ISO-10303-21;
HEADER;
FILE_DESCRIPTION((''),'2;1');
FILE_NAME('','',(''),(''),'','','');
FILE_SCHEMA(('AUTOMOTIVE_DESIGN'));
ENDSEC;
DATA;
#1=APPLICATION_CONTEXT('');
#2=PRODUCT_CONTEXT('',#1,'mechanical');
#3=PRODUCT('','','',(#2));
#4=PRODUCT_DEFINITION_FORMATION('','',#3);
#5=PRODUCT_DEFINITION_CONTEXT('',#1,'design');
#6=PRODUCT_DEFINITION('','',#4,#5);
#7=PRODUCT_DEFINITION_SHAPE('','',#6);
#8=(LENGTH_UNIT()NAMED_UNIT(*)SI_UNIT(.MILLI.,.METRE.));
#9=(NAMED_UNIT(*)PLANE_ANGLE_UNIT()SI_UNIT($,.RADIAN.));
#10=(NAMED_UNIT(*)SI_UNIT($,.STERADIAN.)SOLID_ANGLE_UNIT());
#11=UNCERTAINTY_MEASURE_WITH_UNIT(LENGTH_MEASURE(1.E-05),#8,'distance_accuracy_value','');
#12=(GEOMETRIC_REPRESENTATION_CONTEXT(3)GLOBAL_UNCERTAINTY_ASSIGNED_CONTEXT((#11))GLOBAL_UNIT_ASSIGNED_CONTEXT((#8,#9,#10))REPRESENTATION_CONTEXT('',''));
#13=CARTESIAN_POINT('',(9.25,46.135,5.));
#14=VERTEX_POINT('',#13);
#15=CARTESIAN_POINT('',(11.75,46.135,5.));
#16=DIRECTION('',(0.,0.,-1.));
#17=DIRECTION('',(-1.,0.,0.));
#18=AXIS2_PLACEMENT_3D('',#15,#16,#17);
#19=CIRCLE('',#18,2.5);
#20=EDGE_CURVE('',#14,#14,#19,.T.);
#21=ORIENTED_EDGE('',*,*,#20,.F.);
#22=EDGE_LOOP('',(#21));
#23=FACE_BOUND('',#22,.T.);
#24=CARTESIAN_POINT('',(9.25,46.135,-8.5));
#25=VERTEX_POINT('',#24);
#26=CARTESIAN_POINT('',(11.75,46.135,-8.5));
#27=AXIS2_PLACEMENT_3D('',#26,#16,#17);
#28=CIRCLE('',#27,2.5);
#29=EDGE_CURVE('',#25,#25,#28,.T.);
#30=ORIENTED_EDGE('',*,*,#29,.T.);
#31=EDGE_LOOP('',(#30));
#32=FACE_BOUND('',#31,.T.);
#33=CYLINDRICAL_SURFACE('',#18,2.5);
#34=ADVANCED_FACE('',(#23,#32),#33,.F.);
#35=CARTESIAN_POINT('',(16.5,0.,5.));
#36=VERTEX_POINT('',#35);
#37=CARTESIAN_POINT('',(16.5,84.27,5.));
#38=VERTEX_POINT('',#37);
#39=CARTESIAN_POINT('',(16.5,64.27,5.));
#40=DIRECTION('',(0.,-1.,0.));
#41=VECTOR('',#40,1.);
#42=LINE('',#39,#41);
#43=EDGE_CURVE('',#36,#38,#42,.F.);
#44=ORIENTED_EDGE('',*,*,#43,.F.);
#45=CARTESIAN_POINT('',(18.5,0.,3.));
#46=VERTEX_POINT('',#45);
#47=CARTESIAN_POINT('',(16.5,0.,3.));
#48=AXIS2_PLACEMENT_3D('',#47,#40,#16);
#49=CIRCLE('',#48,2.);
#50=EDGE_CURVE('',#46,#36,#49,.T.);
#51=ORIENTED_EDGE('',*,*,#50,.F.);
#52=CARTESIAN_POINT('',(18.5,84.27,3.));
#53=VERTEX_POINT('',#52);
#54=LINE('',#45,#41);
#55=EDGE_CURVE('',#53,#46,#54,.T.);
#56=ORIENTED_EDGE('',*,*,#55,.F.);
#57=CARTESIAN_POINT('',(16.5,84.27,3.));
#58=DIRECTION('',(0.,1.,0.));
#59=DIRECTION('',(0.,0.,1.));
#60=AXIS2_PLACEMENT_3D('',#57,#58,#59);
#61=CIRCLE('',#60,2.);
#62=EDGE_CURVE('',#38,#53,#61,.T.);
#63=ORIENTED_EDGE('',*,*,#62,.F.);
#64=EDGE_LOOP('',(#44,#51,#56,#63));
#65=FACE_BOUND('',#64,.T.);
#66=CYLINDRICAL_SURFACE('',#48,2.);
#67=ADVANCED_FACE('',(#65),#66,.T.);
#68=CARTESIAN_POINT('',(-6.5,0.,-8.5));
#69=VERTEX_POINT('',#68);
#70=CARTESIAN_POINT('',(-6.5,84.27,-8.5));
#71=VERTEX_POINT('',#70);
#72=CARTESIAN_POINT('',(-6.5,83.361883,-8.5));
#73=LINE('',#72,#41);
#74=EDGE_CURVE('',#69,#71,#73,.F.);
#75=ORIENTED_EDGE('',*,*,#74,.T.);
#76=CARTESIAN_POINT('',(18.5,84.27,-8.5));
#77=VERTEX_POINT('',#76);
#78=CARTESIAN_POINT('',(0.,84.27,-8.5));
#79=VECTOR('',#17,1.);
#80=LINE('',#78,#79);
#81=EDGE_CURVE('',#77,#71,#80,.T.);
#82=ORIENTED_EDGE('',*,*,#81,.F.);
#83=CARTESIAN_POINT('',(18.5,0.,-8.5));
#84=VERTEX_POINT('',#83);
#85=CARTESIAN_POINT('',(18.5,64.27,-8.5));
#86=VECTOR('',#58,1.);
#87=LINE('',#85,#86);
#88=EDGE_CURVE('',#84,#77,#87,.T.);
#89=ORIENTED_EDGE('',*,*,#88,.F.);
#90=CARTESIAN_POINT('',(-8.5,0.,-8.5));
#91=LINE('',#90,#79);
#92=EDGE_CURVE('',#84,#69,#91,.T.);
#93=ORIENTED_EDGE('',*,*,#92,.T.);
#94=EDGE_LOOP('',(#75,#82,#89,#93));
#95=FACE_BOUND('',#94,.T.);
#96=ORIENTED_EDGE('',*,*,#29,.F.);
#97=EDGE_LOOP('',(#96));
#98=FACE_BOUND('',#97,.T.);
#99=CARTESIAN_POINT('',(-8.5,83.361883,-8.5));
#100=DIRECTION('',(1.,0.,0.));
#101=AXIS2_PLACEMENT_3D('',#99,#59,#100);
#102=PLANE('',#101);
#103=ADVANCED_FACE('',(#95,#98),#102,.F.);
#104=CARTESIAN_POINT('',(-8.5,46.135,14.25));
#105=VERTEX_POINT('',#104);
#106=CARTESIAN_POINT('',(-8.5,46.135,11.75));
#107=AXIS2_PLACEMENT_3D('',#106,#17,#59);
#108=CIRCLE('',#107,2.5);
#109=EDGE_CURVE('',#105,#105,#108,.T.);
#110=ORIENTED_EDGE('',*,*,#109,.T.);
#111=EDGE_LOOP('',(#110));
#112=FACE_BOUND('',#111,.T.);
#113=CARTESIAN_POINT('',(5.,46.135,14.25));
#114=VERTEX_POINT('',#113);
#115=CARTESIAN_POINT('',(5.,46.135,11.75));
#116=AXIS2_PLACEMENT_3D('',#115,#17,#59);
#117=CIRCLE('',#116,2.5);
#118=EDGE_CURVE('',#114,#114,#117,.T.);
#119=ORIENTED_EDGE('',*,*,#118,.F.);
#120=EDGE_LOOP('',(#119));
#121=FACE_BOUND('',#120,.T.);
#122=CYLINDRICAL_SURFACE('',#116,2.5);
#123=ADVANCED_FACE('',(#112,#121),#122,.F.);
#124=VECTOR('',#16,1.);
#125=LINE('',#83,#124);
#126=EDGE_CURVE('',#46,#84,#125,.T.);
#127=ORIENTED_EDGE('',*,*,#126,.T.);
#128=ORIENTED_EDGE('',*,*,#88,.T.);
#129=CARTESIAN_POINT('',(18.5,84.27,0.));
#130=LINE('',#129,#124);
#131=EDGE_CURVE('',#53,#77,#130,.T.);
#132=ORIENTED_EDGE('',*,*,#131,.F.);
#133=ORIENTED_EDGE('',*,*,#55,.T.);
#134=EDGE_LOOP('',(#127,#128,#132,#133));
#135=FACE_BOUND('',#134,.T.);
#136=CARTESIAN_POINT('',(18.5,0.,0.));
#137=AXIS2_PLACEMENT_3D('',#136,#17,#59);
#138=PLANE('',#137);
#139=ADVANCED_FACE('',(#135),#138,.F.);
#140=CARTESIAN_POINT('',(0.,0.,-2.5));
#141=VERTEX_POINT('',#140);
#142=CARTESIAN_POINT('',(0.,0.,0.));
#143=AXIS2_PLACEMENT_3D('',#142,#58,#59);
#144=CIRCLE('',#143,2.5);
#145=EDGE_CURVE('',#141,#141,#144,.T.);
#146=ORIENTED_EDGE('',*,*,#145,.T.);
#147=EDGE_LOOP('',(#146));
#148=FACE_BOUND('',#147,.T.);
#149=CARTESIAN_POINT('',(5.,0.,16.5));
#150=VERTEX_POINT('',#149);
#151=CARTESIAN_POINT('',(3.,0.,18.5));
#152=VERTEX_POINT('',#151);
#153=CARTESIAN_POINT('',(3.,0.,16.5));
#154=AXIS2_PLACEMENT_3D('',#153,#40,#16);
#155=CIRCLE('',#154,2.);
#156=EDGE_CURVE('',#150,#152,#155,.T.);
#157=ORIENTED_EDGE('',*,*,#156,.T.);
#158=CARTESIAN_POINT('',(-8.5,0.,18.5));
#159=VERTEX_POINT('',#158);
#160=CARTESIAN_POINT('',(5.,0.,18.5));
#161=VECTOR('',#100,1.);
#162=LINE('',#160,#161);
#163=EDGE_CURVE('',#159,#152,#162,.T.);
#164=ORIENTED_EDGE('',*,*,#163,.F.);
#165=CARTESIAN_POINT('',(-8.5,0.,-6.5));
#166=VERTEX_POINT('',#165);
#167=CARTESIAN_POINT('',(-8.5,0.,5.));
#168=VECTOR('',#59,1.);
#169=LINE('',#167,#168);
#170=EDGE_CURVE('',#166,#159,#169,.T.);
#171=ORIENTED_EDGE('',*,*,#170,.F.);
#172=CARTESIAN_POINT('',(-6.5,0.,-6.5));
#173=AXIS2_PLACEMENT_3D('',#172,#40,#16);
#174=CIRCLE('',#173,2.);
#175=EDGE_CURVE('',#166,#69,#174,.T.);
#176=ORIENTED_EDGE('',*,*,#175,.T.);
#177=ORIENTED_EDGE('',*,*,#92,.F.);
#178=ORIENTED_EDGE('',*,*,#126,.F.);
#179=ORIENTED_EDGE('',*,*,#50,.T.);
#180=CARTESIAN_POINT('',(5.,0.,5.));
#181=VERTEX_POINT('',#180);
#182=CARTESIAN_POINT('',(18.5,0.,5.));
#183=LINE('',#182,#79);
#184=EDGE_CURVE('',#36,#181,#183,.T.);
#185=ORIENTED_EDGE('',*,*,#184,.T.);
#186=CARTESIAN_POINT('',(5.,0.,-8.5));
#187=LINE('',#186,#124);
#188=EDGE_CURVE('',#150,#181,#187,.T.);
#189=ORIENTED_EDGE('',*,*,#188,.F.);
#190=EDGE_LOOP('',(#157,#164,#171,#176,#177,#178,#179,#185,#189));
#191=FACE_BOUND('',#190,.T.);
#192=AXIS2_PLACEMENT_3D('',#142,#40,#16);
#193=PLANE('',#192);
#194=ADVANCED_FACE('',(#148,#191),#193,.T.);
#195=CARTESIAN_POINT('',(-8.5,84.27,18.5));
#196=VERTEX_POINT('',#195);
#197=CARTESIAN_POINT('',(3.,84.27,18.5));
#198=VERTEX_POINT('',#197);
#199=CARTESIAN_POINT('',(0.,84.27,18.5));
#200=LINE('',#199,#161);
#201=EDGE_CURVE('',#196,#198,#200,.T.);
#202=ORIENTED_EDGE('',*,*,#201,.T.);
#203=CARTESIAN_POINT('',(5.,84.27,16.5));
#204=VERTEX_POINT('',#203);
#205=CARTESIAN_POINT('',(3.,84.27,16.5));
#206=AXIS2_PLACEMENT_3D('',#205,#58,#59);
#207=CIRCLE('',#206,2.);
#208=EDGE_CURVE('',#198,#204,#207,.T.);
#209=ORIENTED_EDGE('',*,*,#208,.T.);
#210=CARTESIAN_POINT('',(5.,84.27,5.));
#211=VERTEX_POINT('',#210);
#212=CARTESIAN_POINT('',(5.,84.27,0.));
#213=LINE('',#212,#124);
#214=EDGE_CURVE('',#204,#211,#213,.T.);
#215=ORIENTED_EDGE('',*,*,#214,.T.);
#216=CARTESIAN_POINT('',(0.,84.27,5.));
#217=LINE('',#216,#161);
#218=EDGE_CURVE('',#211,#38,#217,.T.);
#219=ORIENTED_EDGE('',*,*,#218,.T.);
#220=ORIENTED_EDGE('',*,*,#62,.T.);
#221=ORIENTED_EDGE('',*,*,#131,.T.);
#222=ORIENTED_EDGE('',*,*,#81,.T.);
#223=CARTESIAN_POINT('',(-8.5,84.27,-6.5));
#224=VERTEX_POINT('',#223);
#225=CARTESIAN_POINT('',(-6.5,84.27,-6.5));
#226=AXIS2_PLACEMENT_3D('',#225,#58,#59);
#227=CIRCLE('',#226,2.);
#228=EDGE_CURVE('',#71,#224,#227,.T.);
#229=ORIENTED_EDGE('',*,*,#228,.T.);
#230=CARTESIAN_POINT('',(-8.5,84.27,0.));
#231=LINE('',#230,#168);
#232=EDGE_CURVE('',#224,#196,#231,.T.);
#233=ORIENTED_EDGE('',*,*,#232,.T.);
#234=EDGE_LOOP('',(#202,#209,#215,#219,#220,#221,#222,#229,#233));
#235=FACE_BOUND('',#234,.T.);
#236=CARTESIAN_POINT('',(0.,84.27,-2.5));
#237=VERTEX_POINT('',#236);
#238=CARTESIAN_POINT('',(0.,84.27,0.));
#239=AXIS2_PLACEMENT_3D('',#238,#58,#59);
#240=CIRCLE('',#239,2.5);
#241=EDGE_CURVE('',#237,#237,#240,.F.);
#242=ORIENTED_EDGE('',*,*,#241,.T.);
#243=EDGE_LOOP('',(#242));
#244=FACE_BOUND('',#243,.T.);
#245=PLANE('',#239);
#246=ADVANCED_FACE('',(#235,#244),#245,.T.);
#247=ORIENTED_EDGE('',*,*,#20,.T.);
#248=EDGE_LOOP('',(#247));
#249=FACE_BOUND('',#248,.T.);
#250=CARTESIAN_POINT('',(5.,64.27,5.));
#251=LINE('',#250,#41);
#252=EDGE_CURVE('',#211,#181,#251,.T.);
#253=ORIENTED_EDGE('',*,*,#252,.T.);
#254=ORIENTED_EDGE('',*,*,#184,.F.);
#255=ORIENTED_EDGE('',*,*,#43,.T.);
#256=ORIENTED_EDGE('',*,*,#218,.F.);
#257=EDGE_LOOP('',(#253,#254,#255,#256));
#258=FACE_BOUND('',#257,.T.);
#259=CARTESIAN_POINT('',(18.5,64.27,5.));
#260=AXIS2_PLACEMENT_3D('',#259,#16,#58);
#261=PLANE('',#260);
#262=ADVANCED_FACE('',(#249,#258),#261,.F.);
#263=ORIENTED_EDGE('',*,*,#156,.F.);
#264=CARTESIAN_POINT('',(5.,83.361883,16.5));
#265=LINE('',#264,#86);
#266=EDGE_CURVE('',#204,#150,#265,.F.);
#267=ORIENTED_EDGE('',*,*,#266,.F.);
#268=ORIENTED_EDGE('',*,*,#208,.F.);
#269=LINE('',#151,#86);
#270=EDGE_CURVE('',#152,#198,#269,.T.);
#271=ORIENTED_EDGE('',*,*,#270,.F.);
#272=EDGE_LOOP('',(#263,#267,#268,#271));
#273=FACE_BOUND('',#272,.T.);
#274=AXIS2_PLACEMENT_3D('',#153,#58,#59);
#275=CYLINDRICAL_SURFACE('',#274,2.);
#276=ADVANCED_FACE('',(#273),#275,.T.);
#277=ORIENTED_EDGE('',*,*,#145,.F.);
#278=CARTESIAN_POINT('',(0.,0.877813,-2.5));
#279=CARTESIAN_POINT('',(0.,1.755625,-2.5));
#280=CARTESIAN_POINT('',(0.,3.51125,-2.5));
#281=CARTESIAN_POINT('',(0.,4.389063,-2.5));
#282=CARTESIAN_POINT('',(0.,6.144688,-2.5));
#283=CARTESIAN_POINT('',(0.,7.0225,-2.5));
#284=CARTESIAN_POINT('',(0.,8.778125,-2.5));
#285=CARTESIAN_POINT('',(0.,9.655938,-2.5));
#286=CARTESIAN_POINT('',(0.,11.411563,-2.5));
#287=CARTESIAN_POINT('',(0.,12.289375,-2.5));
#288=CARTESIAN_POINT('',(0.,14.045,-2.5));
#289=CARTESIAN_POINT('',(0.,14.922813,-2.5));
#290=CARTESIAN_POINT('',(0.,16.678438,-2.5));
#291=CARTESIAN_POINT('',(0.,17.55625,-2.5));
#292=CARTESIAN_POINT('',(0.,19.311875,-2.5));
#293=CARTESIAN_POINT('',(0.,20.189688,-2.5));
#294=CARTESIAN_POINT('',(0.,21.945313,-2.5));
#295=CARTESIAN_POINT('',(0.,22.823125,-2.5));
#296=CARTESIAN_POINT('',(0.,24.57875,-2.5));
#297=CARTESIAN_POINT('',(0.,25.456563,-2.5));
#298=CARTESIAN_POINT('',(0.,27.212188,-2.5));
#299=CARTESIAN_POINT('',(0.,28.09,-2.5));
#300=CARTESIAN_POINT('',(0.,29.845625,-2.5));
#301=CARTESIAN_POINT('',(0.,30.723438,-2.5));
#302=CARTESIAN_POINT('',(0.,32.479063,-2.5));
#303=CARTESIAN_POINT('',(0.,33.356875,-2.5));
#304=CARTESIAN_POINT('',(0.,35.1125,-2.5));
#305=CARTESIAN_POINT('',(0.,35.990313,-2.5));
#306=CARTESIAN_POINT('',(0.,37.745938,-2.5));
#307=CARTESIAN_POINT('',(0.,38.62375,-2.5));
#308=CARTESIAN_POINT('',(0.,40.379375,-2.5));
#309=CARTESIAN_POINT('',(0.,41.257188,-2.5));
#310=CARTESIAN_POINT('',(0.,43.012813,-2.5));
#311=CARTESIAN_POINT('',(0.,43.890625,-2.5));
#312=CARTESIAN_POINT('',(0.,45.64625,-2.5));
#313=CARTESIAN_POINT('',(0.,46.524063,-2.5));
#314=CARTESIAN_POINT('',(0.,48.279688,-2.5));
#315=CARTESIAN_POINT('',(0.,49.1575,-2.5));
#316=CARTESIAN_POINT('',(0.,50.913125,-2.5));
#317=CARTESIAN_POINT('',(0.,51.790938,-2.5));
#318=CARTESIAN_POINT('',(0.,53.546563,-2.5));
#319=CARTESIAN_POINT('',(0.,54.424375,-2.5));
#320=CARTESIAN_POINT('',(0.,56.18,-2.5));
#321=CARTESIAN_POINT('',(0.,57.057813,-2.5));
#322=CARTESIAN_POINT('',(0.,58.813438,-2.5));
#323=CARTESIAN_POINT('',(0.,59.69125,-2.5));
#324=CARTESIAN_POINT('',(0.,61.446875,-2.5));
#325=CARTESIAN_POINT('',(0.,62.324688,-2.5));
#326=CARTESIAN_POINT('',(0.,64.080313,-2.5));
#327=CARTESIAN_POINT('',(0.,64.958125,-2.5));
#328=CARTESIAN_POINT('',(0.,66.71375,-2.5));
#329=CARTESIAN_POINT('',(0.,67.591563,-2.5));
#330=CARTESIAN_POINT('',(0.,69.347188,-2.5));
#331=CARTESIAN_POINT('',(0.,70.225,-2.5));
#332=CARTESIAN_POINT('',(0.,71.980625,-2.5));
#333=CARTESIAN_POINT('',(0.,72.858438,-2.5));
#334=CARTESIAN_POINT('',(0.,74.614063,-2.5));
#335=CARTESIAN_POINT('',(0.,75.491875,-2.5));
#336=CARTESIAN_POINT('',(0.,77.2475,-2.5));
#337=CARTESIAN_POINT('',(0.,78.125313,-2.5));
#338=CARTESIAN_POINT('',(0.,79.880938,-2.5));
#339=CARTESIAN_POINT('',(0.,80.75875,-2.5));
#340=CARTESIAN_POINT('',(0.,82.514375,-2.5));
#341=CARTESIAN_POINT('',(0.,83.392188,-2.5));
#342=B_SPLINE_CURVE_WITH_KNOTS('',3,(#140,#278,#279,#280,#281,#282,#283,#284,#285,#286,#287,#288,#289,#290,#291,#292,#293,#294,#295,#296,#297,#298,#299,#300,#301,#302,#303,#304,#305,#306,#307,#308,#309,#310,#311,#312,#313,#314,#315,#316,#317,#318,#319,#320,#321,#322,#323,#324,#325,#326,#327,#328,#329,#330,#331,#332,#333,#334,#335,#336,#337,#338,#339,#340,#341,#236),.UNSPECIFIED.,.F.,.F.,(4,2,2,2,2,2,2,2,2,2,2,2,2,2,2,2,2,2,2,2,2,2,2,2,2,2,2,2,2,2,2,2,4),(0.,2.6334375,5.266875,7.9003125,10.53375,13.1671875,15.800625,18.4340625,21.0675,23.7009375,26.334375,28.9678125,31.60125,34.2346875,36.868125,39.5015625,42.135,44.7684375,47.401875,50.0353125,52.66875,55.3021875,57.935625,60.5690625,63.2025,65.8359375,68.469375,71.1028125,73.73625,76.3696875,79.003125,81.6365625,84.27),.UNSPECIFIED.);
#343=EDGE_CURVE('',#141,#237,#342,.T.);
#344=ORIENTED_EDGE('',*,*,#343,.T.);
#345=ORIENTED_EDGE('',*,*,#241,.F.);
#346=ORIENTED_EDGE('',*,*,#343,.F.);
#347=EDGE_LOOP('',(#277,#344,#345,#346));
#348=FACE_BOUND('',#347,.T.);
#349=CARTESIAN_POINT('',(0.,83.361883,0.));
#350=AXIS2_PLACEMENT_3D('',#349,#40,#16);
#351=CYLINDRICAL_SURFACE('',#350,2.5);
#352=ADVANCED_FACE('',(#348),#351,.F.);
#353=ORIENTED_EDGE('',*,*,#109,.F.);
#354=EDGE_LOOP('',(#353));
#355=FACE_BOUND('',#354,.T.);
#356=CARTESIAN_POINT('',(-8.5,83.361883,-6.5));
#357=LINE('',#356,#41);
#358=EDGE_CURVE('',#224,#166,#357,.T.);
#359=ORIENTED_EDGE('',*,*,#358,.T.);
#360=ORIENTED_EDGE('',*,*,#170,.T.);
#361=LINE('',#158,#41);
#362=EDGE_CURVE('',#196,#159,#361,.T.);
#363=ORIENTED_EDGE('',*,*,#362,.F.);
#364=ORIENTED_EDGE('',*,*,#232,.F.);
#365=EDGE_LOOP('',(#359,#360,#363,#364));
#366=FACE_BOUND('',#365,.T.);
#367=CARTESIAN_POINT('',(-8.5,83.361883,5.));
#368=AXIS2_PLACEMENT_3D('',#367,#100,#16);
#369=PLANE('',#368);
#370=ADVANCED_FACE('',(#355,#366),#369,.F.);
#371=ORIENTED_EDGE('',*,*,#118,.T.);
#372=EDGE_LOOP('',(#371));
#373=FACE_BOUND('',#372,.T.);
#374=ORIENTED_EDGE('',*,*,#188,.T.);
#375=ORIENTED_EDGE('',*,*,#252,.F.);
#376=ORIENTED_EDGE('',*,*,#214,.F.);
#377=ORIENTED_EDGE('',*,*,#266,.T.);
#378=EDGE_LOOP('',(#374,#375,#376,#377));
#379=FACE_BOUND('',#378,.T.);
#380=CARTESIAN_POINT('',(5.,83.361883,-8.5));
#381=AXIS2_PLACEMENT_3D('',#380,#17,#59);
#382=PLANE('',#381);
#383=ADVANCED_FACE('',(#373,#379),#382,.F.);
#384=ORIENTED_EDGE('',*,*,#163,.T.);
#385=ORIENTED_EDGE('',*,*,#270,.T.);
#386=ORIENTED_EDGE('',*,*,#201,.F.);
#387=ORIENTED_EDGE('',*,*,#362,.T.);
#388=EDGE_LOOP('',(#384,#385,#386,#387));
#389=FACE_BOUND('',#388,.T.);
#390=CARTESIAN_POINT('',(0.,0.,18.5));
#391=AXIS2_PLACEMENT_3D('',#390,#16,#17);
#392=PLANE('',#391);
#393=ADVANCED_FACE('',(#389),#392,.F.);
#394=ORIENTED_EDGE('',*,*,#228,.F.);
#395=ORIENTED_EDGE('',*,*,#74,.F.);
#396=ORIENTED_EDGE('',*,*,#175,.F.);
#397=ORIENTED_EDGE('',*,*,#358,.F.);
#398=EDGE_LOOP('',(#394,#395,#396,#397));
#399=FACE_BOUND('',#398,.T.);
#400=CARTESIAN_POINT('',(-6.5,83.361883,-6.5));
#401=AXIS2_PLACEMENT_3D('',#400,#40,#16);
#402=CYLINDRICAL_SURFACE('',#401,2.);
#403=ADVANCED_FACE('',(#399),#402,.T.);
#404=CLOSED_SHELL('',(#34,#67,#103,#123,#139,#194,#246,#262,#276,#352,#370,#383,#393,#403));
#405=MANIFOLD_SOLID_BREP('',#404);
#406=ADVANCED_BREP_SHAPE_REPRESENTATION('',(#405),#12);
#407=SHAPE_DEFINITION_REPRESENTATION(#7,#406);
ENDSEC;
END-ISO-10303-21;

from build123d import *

# Parameters (mm, degrees)
SKETCH4_W           = 13.5
SKETCH4_H           = 13.5
SKETCH4_R           = 2.5
HOLE_TOPMAIN_DEPTH  = 64.27
SKETCH14_R          = 2.5
CUT_EXTRUDE9_DEPTH  = 67.220336
SKETCH15_R          = 3.25
CUT_EXTRUDE10_DEPTH = 66.384500568
SKETCH18_W          = 13.5
SKETCH18_H          = 64.27
SKETCH18_R          = 3.25
BOSS_EXTRUDE2_DEPTH = 13.5
FILLET3_R           = 2
SKETCH19_R          = 2.5
CUT_EXTRUDE11_DEPTH = 13.5
SKETCH22_W          = 13.5
SKETCH22_H          = 64.27
BOSS_EXTRUDE3_DEPTH = 13.5
BOSS_EXTRUDE5_START = -27
SKETCH24_R          = 3.25
BOSS_EXTRUDE5_DEPTH = 27
CUT_EXTRUDE12_START = -64.27
SKETCH25_R          = 2.5
CUT_EXTRUDE12_DEPTH = 64.27
SKETCH26_R          = 2.5
CUT_EXTRUDE13_DEPTH = 13.5
SKETCH28_R          = 2.5
CUT_EXTRUDE14_DEPTH = 13.5
FILLET4_R           = 2
SKETCH29_R          = 2.5
BOSS_EXTRUDE6_DEPTH = 20


with BuildPart() as part:
    # Sketch4 → hole-TopMain (new body)
    with BuildSketch(Plane(origin=(0, 0, 0), x_dir=(1, 0, 0), z_dir=(0, 1, 0))):
        with Locations((-1.75, 1.75)):
            Rectangle(SKETCH4_W, SKETCH4_H)
        with Locations(Location((0, 0, 0), (0, 0, 90))):
            Circle(SKETCH4_R, mode=Mode.SUBTRACT)
    extrude(amount=HOLE_TOPMAIN_DEPTH)

    # Sketch14 → Cut-Extrude9 (cut, through all)
    with BuildSketch(Plane(origin=(0, 0, -8.5), x_dir=(-1, 0, 0), z_dir=(0, 0, -1))):
        with Locations((1.75, 46.135)):
            Circle(SKETCH14_R)
    extrude(amount=-CUT_EXTRUDE9_DEPTH, mode=Mode.SUBTRACT)

    # Sketch15 → Cut-Extrude10 (cut, through all)
    with BuildSketch(Plane(origin=(0, 0, -3.5), x_dir=(-1, 0, 0), z_dir=(0, 0, -1))):
        with Locations((1.75, 46.135)):
            Circle(SKETCH15_R)
    extrude(amount=-CUT_EXTRUDE10_DEPTH, mode=Mode.SUBTRACT)

    # Sketch18 → Boss-Extrude2 (add)
    with BuildSketch(Plane.XY.offset(5)):
        with Locations((-1.75, 32.135)):
            Rectangle(SKETCH18_W, SKETCH18_H)
        with Locations(Location((-1.75, 46.135, 0), (0, 0, 180))):
            Circle(SKETCH18_R, mode=Mode.SUBTRACT)
    extrude(amount=BOSS_EXTRUDE2_DEPTH)

    # Fillet3
    fillet3_edges = [part.edges().sort_by_distance(p)[0] for p in [
        (-8.5, 32.135, -8.5),
        (5, 32.135, 18.5),
    ]]
    fillet(fillet3_edges, radius=FILLET3_R)

    # Sketch19 → Cut-Extrude11 (cut)
    with BuildSketch(Plane.ZY.offset(8.5)):
        with Locations((11.75, 46.135)):
            Circle(SKETCH19_R)
    extrude(amount=-CUT_EXTRUDE11_DEPTH, mode=Mode.SUBTRACT)

    # Sketch22 → Boss-Extrude3 (add)
    with BuildSketch(Plane(origin=(5, 0, 0), x_dir=(0, 0, -1), z_dir=(1, 0, 0))):
        with Locations((1.75, 32.135)):
            Rectangle(SKETCH22_W, SKETCH22_H)
    extrude(amount=BOSS_EXTRUDE3_DEPTH)

    # Sketch24 → Boss-Extrude5 (add)
    with BuildSketch(Plane.XY.offset(18.5).offset(BOSS_EXTRUDE5_START)):
        with Locations((-1.75, 46.135)):
            Circle(SKETCH24_R)
    extrude(amount=BOSS_EXTRUDE5_DEPTH)

    # Sketch25 → Cut-Extrude12 (cut)
    with BuildSketch(Plane(origin=(0, 64.27, 0), x_dir=(1, 0, 0), z_dir=(0, 1, 0)).offset(CUT_EXTRUDE12_START)):
        with Locations(Location((0, 0, 0), (0, 0, 90))):
            Circle(SKETCH25_R)
    extrude(amount=CUT_EXTRUDE12_DEPTH, mode=Mode.SUBTRACT)

    # Sketch26 → Cut-Extrude13 (cut)
    with BuildSketch(Plane.ZY.offset(8.5)):
        with Locations((11.75, 46.135)):
            Circle(SKETCH26_R)
    extrude(amount=-CUT_EXTRUDE13_DEPTH, mode=Mode.SUBTRACT)

    # Sketch28 → Cut-Extrude14 (cut)
    with BuildSketch(Plane(origin=(0, 0, -8.5), x_dir=(-1, 0, 0), z_dir=(0, 0, -1))):
        with Locations((-11.75, 46.135)):
            Circle(SKETCH28_R)
    extrude(amount=-CUT_EXTRUDE14_DEPTH, mode=Mode.SUBTRACT)

    # Fillet4
    fillet4_edges = [part.edges().sort_by_distance(p)[0] for p in [
        (18.5, 32.135, 5),
    ]]
    fillet(fillet4_edges, radius=FILLET4_R)

    # Sketch29 → Boss-Extrude6 (add)
    with BuildSketch(Plane(origin=(0, 64.27, 0), x_dir=(1, 0, 0), z_dir=(0, 1, 0))):
        with BuildLine():
            Line((5, -16.5), (5, -5))
            Line((5, -5), (16.5, -5))
            ThreePointArc((16.5, -5), (17.914213562, -4.414213562), (18.5, -3))
            Line((18.5, -3), (18.5, 8.5))
            Line((18.5, 8.5), (-6.5, 8.5))
            ThreePointArc((-6.5, 8.5), (-7.914213562, 7.914213562), (-8.5, 6.5))
            Line((-8.5, 6.5), (-8.5, -18.5))
            Line((-8.5, -18.5), (3, -18.5))
            ThreePointArc((3, -18.5), (4.414213562, -17.914213562), (5, -16.5))
        make_face()
        with Locations(Location((0, 0, 0), (0, 0, 90))):
            Circle(SKETCH29_R, mode=Mode.SUBTRACT)
    extrude(amount=BOSS_EXTRUDE6_DEPTH)


solid = part.part
